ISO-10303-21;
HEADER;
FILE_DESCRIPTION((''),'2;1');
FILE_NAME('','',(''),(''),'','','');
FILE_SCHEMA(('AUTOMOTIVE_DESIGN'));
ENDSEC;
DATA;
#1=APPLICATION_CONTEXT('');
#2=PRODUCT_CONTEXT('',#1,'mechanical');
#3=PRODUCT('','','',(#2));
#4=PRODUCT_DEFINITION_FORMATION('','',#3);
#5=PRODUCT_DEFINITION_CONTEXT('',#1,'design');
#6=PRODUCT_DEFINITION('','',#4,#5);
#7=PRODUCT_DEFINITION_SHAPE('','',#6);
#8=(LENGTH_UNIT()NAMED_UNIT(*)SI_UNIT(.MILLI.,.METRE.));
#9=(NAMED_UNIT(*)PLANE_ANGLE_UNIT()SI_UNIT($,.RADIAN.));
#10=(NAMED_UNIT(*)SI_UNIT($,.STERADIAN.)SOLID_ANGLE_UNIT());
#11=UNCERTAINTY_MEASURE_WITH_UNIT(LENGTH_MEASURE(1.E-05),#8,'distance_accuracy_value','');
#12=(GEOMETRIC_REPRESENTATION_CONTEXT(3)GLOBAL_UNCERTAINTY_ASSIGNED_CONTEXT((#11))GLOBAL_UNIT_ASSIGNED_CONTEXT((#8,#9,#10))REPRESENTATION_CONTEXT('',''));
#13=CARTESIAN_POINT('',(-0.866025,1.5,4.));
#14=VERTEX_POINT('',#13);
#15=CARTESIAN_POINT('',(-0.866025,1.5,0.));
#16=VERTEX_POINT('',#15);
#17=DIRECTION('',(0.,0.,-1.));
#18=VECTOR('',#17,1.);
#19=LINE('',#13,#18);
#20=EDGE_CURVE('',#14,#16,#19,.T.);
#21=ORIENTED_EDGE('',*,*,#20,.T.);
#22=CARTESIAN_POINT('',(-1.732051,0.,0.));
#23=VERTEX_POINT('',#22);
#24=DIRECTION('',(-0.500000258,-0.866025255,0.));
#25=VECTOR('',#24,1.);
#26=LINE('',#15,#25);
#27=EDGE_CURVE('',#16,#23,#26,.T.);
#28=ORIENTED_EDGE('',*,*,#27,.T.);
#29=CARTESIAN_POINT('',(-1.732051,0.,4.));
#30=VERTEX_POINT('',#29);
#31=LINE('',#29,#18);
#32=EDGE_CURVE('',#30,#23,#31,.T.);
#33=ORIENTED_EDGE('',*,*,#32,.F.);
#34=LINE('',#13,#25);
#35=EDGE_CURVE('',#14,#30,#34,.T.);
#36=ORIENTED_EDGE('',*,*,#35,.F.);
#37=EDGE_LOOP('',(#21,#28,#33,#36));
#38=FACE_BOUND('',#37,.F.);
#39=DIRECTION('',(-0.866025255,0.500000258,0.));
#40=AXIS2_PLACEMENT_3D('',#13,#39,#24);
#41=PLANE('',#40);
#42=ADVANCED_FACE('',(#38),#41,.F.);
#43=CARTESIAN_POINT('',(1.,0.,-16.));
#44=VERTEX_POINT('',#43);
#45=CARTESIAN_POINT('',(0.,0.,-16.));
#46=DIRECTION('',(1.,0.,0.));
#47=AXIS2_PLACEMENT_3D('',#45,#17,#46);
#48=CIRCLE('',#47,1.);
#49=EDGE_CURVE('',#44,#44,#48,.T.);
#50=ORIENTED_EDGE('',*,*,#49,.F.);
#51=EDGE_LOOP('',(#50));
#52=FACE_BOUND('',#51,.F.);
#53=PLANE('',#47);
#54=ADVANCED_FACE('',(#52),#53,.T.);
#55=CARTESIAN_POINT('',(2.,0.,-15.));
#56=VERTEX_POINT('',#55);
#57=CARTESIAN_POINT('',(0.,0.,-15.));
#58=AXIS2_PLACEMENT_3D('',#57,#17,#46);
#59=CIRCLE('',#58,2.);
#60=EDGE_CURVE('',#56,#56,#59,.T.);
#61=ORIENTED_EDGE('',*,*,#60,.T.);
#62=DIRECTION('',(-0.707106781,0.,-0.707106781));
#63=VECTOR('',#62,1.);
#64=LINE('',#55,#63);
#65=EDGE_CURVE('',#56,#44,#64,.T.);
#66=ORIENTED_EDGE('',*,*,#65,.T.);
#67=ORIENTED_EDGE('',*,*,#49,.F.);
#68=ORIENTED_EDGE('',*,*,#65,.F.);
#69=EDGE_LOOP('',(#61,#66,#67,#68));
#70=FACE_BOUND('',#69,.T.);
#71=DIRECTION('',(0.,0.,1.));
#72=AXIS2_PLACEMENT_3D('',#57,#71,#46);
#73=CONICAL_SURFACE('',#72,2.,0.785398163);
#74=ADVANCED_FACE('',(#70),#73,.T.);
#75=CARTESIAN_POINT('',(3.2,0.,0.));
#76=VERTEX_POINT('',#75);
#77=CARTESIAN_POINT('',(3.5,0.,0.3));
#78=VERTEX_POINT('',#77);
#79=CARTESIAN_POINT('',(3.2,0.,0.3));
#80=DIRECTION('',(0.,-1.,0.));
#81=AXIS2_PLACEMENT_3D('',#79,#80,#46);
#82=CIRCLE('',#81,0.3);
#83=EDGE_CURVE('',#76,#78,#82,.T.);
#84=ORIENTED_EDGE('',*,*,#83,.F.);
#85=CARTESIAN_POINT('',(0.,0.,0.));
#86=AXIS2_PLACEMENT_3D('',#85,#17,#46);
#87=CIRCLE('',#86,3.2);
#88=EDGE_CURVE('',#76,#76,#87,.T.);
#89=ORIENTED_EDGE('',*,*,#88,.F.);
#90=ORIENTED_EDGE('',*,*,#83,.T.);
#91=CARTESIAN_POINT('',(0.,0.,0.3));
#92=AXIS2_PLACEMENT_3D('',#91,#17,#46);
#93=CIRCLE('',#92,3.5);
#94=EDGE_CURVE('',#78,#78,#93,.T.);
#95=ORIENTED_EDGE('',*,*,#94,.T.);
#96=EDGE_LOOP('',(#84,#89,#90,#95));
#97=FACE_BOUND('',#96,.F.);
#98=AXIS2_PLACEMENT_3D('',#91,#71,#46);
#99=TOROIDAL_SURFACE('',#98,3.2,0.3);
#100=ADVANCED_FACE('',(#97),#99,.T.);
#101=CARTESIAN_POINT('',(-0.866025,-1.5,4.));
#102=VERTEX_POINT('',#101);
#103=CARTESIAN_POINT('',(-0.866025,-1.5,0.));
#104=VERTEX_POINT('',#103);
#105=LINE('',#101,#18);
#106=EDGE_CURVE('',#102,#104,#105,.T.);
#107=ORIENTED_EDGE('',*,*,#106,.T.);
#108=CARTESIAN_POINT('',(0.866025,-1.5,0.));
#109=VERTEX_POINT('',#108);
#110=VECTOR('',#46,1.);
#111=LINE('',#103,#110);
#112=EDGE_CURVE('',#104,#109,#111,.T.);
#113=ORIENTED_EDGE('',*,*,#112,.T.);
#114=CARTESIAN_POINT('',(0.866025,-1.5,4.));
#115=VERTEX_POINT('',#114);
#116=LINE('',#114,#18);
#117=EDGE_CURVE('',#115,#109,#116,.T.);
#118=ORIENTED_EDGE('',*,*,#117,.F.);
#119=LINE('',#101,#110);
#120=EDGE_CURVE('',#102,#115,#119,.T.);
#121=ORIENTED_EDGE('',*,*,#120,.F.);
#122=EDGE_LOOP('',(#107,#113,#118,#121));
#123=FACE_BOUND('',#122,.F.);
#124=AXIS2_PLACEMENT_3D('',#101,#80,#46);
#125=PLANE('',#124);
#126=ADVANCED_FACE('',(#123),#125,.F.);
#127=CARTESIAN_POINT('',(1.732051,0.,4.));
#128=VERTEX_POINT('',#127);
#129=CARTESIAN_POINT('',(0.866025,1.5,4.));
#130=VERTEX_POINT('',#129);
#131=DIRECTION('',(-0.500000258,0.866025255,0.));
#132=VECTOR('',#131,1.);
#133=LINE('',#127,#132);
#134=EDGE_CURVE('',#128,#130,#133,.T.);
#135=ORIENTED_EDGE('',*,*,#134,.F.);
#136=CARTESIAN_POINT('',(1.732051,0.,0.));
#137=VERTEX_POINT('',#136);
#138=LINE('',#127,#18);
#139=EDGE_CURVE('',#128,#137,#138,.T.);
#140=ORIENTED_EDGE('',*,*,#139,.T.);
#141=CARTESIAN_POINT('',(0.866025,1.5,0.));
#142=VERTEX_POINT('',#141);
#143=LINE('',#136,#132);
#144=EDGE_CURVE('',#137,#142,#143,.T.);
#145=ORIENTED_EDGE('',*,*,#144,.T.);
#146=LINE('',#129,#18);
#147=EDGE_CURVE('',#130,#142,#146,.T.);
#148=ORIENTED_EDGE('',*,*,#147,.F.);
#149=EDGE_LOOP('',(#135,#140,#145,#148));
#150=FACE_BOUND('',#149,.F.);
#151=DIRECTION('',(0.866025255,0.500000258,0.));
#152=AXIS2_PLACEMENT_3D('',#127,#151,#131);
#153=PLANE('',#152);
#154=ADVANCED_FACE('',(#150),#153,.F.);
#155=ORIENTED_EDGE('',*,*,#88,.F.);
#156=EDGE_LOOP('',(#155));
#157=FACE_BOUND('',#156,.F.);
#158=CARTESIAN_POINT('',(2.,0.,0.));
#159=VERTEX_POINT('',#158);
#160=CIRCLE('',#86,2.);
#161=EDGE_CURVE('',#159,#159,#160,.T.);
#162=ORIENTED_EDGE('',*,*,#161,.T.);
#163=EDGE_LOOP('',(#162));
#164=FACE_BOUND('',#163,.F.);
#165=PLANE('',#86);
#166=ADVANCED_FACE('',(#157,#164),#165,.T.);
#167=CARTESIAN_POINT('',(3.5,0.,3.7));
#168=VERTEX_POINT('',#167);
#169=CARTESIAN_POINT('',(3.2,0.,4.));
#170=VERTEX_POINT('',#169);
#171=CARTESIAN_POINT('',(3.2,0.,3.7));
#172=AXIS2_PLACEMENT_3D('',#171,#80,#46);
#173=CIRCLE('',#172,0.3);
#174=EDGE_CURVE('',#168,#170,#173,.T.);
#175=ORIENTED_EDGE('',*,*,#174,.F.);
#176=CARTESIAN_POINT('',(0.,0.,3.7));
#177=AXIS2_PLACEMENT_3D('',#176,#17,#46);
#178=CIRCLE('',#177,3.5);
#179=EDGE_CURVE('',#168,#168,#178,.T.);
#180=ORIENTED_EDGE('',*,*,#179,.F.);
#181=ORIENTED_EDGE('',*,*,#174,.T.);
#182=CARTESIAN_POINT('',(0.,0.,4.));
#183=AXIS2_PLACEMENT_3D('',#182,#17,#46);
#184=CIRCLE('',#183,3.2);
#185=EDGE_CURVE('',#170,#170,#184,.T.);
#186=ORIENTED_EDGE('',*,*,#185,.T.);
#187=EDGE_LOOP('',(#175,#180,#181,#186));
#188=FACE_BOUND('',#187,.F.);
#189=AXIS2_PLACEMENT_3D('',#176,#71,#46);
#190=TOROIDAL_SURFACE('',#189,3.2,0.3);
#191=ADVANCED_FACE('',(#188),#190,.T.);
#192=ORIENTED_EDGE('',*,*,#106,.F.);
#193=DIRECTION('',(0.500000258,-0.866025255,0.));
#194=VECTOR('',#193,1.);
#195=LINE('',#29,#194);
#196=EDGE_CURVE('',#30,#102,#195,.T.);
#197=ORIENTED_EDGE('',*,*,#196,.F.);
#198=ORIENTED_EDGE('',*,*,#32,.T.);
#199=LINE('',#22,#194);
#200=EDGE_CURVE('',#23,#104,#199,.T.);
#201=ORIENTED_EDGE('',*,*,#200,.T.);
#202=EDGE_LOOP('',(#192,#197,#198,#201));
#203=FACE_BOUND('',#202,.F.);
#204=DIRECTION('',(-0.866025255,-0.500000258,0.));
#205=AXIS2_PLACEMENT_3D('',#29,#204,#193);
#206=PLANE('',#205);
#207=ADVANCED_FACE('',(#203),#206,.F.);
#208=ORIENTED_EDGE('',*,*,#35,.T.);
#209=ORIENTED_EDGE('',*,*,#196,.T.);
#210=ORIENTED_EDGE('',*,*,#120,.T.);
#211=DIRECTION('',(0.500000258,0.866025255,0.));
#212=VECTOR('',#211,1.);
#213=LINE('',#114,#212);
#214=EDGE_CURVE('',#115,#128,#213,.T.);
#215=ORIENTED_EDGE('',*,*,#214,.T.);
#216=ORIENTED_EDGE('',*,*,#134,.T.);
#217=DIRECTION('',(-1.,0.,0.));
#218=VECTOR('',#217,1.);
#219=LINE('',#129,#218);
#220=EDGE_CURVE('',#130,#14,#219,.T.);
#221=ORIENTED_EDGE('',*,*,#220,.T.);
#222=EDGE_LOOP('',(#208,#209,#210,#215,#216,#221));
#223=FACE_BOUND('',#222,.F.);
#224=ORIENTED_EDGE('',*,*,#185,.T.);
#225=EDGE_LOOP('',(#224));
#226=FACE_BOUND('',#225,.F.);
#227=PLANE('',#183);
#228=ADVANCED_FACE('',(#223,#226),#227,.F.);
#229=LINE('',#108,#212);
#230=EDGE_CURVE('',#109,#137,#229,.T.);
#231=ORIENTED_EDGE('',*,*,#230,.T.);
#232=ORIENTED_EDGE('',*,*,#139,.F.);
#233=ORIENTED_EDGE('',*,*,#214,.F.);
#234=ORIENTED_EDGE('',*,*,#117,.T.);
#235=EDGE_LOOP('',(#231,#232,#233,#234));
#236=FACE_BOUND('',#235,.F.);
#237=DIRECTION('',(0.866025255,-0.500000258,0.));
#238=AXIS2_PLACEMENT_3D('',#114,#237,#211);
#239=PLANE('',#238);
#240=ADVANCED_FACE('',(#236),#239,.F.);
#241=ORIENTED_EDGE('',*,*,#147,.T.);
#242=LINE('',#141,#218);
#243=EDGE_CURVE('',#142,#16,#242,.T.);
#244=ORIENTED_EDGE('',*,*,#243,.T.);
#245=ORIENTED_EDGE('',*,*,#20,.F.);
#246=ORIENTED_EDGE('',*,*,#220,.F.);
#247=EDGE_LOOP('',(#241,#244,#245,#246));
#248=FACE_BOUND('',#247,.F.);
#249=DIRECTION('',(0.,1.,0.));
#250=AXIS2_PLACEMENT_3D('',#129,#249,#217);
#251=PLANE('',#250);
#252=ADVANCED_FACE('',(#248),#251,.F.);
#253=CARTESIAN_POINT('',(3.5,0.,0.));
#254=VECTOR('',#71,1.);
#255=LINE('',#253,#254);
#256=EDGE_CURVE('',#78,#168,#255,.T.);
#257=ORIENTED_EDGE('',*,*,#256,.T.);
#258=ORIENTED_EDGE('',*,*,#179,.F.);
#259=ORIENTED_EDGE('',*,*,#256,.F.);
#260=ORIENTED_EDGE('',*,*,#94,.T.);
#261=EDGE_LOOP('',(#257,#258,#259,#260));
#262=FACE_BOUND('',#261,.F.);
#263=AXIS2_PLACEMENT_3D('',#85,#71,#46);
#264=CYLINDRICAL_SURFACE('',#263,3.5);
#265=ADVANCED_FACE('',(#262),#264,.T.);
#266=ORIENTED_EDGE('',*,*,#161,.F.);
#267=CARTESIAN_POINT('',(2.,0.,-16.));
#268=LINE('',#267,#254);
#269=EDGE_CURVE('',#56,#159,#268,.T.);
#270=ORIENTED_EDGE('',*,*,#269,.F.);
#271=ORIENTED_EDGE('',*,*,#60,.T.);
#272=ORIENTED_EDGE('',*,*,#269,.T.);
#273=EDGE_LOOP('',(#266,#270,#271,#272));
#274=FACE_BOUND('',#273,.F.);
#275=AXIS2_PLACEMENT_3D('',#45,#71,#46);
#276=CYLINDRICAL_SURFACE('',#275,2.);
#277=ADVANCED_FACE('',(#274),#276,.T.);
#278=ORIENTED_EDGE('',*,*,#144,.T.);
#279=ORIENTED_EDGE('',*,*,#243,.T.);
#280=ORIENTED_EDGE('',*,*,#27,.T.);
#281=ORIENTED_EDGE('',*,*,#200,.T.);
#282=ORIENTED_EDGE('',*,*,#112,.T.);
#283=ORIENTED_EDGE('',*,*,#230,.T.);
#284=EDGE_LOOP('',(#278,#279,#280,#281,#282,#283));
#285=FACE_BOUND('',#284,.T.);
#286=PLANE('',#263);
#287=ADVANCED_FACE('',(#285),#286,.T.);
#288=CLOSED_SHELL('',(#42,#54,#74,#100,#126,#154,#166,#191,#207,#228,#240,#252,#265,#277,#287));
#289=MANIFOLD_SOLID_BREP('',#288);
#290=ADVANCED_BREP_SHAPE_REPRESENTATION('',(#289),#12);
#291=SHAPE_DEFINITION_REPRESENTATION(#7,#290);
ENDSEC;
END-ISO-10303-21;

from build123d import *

# Parameters (mm, degrees)
F3_DEPTH = 4
F4_SIZE  = 1
F5_R     = 0.3


with BuildPart() as f1:
    # F0 (on Front) → F1 (revolve)
    with BuildSketch(Plane.XZ):
        Polygon((3.5, 4), (0, 4), (0, -16), (2, -16), (2, 0), (3.5, 0), align=None)
    revolve(axis=Axis((0, 0, -50.553678), (0, 0, -1)))

    # F2 (on face) → F3 (cut)
    with BuildSketch(Plane.XY.offset(4)):
        Polygon((0.866025, 1.5), (-0.866025, 1.5), (-1.732051, 0), (-0.866025, -1.5), (0.866025, -1.5), (1.732051, 0), align=None)
    extrude(amount=-F3_DEPTH, mode=Mode.SUBTRACT)

    # F4
    f4_edges = [f1.edges().sort_by_distance(p)[0] for p in [
        (-2, 0, -16),
    ]]
    chamfer(f4_edges, length=F4_SIZE)

    # F5
    f5_edges = [f1.edges().sort_by_distance(p)[0] for p in [
        (-3.5, 0, 0),
        (-3.5, 0, 4),
    ]]
    fillet(f5_edges, radius=F5_R)


solid = f1.part
